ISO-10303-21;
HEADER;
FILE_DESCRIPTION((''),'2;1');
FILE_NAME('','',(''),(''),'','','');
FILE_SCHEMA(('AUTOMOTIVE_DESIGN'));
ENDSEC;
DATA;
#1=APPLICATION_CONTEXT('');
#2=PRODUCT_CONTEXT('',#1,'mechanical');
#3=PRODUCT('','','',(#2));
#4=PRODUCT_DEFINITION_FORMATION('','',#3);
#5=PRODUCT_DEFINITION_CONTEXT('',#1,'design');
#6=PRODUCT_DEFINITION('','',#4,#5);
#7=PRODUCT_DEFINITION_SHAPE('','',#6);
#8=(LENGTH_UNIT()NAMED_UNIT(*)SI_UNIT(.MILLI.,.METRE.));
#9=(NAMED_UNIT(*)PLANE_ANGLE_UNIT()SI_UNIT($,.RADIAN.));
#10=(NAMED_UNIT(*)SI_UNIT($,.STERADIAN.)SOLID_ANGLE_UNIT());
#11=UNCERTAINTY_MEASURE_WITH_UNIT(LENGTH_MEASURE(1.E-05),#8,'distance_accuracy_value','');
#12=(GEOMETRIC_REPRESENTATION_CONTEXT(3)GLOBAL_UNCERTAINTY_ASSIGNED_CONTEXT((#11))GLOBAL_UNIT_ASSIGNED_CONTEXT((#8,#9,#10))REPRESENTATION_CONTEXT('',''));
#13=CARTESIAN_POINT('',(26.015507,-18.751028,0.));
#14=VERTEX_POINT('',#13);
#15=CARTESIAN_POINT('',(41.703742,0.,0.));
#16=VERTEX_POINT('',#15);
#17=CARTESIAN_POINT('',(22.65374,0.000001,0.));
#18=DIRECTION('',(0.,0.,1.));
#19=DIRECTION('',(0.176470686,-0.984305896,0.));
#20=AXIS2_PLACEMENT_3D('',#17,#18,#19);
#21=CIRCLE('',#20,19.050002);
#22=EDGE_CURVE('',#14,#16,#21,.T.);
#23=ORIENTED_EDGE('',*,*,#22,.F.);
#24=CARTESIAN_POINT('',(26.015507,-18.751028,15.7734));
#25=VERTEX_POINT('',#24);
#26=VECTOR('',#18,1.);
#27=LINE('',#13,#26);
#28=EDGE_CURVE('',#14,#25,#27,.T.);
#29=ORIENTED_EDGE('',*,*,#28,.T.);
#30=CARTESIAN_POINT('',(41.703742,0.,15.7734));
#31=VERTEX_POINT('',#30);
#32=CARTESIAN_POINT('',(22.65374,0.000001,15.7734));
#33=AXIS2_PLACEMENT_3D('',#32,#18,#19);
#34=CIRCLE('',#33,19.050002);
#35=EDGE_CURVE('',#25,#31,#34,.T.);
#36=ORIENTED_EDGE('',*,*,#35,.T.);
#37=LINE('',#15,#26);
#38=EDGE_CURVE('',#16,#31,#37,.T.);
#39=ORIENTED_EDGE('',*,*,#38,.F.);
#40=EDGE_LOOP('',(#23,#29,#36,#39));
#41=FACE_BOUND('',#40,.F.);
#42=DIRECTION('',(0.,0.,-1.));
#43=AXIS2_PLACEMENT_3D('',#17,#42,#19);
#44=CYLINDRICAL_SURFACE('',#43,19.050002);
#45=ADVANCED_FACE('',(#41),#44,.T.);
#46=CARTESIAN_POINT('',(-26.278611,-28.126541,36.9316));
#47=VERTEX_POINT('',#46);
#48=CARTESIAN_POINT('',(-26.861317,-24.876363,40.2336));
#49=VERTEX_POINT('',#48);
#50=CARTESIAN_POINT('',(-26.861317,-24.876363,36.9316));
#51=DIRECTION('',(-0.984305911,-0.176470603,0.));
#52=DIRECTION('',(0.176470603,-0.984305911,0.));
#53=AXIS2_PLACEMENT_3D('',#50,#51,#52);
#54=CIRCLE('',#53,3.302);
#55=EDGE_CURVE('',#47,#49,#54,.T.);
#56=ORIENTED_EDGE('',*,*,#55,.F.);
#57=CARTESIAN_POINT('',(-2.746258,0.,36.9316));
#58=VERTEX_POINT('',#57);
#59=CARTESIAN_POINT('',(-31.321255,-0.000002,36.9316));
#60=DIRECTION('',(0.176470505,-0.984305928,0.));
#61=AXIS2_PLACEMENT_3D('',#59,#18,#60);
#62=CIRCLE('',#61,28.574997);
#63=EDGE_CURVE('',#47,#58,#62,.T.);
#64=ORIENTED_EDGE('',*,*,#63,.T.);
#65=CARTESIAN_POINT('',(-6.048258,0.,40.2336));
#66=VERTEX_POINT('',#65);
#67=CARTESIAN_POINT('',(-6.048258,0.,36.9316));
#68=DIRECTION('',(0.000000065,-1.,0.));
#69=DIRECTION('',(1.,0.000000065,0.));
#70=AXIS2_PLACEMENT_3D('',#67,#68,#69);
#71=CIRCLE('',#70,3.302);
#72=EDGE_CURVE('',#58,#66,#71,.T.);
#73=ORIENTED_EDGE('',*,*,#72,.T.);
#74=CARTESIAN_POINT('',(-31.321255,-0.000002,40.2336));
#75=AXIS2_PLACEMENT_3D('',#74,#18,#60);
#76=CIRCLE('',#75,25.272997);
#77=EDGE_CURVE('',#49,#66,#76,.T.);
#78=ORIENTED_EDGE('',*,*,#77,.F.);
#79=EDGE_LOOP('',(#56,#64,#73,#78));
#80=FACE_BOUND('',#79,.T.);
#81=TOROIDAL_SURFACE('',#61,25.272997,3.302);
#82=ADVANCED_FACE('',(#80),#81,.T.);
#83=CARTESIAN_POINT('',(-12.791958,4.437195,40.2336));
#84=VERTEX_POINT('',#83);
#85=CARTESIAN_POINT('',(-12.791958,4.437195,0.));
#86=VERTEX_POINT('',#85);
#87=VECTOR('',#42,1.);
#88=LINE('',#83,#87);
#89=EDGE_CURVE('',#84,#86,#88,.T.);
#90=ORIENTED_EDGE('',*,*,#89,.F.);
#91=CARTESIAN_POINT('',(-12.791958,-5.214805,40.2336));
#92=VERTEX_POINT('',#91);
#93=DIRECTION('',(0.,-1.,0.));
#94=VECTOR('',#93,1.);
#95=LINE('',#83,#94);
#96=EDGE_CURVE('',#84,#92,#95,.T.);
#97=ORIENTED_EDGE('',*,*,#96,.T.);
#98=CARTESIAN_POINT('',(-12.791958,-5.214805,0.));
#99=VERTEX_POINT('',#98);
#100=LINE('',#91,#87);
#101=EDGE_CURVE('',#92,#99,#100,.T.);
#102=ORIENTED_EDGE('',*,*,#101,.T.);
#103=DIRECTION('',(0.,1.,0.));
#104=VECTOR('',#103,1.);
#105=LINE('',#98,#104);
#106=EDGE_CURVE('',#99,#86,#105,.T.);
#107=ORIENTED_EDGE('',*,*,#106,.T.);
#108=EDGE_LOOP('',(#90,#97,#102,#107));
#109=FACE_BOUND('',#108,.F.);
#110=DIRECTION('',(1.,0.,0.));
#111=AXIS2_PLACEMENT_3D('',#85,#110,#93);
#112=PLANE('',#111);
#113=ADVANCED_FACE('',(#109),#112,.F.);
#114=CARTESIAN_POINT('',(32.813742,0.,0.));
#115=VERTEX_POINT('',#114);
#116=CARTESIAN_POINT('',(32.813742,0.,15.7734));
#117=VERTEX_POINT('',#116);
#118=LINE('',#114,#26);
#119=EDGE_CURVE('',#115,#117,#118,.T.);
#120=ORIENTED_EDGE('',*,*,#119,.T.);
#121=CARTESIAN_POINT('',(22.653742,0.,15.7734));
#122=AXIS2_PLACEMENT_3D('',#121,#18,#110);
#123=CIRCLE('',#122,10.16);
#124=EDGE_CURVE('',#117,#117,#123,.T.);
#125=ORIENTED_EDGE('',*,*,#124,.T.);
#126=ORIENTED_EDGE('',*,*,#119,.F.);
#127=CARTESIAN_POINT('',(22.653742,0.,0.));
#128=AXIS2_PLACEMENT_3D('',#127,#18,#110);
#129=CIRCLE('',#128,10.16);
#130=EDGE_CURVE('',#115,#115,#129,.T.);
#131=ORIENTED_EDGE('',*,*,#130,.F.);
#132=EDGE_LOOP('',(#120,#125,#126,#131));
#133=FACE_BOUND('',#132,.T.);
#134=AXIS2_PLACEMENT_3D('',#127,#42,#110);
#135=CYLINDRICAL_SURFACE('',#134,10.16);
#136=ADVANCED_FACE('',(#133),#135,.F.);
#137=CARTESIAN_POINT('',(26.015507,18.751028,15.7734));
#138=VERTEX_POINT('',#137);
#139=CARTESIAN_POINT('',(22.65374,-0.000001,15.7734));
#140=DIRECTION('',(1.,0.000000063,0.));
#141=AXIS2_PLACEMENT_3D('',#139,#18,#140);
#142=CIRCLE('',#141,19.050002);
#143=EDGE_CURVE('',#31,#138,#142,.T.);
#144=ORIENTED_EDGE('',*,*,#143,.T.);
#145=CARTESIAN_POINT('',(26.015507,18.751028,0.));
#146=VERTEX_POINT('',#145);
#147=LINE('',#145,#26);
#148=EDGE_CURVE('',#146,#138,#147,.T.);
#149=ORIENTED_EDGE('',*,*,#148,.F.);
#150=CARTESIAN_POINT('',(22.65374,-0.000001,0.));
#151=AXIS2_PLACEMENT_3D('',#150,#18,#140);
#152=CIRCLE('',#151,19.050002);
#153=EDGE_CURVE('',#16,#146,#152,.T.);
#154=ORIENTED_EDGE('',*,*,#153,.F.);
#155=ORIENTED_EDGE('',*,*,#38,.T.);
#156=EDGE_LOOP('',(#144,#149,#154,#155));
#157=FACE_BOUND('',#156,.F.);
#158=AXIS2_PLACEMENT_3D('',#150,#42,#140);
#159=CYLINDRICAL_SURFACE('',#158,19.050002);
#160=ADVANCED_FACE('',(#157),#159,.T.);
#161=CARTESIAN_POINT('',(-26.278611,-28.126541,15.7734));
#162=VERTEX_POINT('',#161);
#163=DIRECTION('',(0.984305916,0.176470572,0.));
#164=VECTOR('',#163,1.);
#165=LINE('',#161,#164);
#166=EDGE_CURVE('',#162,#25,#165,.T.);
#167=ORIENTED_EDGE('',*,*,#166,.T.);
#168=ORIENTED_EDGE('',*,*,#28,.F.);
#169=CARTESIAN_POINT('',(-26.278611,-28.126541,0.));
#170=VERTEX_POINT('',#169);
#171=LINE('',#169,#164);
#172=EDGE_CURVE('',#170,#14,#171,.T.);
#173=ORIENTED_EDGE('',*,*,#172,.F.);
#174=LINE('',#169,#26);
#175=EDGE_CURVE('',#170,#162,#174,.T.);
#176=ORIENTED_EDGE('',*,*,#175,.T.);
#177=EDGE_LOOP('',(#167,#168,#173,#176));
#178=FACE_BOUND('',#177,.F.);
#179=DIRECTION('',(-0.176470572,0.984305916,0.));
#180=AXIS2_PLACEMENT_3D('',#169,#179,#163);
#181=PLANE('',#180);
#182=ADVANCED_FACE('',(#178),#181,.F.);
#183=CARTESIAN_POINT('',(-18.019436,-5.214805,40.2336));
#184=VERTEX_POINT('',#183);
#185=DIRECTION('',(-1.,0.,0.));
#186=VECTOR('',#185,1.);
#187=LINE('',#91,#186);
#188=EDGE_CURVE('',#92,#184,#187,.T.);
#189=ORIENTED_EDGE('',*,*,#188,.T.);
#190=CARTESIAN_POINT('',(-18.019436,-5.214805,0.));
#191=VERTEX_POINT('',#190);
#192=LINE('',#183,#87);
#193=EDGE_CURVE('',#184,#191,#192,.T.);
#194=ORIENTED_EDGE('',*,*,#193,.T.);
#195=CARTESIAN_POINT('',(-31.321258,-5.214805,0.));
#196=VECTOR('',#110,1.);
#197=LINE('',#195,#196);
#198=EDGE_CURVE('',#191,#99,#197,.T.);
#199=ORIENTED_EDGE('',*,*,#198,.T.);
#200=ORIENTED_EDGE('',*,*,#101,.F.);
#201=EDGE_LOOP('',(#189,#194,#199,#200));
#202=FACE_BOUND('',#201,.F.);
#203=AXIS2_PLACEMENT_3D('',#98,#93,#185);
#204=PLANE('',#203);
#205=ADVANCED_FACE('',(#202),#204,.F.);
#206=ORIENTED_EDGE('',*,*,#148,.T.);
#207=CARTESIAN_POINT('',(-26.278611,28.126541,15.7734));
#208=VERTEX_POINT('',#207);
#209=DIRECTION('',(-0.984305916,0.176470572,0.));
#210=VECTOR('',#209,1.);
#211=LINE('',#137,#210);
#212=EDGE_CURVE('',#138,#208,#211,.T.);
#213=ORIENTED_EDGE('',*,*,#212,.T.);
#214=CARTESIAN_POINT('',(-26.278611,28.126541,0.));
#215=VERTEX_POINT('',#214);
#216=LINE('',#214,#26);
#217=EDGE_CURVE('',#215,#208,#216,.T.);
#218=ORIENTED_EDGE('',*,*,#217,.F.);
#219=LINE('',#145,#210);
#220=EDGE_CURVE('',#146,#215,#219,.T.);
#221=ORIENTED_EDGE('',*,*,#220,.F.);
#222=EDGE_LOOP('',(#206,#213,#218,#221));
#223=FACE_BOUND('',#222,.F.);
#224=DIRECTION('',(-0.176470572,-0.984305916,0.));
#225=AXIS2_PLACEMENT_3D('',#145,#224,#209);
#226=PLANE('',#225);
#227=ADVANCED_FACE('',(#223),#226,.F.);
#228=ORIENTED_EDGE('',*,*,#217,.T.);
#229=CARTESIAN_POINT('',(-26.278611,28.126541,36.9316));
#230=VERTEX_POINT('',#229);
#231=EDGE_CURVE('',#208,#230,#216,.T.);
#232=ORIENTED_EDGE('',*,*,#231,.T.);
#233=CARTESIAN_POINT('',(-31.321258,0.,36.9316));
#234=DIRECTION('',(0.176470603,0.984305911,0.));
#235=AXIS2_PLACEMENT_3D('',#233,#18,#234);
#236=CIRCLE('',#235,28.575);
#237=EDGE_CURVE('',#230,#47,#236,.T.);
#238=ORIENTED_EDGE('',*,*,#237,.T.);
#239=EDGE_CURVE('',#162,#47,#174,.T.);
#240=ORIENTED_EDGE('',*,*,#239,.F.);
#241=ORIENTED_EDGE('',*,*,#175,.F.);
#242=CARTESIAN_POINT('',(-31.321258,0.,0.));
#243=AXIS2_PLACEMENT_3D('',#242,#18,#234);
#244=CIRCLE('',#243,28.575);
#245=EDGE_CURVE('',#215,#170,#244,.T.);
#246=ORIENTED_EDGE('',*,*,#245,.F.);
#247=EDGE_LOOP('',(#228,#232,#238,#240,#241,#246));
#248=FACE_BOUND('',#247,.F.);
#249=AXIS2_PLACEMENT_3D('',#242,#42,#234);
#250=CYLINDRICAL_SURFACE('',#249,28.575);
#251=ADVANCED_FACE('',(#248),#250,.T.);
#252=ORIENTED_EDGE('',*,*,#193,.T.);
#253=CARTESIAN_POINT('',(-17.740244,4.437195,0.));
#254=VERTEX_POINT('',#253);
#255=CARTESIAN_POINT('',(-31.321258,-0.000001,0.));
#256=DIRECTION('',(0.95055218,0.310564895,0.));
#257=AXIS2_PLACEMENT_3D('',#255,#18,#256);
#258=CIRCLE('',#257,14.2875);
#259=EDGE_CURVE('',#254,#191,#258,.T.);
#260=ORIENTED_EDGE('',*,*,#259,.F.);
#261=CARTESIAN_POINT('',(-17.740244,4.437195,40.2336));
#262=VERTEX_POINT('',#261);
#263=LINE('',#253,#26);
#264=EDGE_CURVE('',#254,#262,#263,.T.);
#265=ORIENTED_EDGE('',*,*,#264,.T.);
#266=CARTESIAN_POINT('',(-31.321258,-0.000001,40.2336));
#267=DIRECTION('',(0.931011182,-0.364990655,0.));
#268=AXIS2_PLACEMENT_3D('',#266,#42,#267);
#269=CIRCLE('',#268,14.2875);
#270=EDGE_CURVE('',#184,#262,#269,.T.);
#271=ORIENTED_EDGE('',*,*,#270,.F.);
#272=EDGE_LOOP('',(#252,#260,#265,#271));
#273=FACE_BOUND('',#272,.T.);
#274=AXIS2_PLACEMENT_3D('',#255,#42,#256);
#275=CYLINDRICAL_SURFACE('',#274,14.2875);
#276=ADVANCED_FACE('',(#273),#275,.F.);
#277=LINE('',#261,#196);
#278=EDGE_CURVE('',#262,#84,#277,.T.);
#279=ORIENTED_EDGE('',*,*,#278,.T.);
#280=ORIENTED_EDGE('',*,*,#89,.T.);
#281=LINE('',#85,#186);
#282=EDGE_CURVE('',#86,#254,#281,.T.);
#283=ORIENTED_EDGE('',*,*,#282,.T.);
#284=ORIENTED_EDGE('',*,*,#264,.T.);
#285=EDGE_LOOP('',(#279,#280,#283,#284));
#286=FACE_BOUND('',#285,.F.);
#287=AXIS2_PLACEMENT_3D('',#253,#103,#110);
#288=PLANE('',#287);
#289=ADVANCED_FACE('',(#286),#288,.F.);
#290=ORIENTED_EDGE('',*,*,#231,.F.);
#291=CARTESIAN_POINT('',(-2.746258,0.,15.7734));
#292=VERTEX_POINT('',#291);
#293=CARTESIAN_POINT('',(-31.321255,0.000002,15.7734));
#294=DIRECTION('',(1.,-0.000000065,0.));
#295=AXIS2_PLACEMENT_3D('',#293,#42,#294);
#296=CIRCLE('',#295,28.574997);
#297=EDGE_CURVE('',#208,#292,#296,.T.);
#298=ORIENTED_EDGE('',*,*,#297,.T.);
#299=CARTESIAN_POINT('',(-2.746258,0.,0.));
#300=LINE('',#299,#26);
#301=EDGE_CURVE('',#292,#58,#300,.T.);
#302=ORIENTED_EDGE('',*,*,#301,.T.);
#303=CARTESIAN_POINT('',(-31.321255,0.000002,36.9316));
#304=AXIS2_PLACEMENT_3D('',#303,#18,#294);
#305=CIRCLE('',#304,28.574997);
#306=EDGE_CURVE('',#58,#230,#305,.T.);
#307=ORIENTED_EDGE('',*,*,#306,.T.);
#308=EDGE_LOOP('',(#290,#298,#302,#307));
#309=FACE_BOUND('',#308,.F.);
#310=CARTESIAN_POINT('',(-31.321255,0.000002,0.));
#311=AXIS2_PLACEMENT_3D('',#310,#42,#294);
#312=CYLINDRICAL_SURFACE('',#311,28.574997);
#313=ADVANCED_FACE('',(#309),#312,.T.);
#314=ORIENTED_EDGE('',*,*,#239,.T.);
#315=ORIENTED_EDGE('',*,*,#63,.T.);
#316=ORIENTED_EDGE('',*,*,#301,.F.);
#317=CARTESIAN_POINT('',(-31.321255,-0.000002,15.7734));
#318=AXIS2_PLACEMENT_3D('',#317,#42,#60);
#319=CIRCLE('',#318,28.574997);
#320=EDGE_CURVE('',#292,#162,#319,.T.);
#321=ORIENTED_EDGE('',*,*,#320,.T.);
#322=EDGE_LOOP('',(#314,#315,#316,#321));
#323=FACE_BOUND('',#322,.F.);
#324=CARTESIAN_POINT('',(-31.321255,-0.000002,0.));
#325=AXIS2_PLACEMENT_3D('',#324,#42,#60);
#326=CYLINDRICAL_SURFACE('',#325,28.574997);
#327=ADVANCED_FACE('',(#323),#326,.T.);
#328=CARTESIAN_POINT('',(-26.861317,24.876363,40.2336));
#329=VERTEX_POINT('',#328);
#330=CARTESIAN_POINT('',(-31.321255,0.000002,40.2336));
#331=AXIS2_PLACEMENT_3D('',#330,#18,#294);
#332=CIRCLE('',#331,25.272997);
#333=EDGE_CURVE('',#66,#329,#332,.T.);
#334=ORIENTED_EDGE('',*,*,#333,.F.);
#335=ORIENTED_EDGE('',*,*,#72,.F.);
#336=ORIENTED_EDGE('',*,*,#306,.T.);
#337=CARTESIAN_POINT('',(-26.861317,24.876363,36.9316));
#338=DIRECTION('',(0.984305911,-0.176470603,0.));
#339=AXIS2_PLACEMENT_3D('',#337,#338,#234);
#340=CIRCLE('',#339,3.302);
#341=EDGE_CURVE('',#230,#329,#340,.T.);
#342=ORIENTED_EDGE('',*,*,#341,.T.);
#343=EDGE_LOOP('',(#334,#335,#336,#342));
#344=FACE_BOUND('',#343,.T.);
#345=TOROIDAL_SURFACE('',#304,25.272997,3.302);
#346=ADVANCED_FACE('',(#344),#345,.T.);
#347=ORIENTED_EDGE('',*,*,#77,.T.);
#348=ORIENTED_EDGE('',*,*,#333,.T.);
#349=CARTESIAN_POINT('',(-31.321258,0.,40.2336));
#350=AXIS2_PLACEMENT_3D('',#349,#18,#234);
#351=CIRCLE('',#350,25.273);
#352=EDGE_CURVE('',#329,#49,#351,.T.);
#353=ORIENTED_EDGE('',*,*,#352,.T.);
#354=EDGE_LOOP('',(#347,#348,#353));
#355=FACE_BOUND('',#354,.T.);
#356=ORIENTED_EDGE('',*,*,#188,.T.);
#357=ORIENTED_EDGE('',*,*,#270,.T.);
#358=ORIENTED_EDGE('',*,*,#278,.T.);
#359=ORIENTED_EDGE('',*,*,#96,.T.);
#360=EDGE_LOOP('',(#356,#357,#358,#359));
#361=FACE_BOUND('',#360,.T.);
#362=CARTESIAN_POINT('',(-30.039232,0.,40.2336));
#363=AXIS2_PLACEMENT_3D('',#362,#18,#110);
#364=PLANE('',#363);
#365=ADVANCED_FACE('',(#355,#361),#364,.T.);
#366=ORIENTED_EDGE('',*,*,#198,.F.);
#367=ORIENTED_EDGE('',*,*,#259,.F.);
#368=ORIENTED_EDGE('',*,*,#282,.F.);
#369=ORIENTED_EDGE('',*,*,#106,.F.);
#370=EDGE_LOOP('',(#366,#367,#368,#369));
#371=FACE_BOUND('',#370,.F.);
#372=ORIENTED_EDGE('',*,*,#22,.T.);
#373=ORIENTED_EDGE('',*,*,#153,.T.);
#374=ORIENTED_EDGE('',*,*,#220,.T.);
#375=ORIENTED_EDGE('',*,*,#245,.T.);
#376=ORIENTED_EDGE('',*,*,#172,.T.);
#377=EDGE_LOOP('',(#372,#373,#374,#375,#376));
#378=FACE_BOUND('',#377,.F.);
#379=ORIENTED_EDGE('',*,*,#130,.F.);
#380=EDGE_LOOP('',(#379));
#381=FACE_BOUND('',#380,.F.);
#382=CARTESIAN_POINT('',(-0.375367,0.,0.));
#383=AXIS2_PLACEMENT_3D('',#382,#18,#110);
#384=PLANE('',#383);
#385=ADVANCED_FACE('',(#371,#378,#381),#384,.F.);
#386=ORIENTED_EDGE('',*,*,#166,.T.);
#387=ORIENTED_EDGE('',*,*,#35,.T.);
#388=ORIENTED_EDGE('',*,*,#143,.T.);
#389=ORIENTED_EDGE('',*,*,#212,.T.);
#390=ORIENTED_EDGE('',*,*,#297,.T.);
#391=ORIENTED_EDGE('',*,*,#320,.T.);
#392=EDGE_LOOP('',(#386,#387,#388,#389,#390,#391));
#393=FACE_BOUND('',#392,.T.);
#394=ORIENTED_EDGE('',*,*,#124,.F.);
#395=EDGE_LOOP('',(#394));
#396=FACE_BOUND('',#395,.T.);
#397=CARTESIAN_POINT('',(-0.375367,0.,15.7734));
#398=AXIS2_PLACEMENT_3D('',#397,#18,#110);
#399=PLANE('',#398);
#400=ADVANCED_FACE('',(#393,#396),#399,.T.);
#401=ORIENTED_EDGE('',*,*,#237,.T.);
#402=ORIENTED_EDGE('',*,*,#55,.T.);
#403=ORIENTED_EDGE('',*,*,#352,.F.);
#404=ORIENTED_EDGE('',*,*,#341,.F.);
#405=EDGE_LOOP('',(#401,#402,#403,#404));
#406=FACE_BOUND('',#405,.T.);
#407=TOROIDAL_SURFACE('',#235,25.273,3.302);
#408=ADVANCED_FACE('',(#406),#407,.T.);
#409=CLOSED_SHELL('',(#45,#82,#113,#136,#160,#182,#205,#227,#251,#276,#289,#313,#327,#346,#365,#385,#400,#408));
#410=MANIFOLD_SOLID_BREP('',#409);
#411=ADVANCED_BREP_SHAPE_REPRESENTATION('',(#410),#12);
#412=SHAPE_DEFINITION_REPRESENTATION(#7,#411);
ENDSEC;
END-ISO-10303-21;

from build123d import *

# Parameters (mm, degrees)
F0_R     = 10.16
F1_DEPTH = 15.7734
F2_DEPTH = 40.2336
F3_DEPTH = 40.2346
F4_DEPTH = 25.4
F5_R     = 3.302


with BuildPart() as f1:
    # F0 (on Top) → F1 (new body)
    with BuildSketch(Plane.XY):
        with BuildLine():
            ThreePointArc((-26.278611, 28.126541), (-9.405233, 18.336262), (-2.746258, 0))
            ThreePointArc((-2.746258, 0), (-9.405233, -18.336262), (-26.278611, -28.126541))
            Line((-26.278611, -28.126541), (26.015507, -18.751028))
            ThreePointArc((26.015507, -18.751028), (3.603742, 0), (26.015507, 18.751028))
            Line((26.015507, 18.751028), (-26.278611, 28.126541))
        make_face()
        with BuildLine():
            ThreePointArc((-26.278611, -28.126541), (-9.405233, -18.336262), (-2.746258, 0))
            ThreePointArc((-2.746258, 0), (-9.405233, 18.336262), (-26.278611, 28.126541))
            ThreePointArc((-26.278611, 28.126541), (-59.896258, 0), (-26.278611, -28.126541))
        make_face()
        with BuildLine():
            ThreePointArc((-18.019436, -5.214805), (-45.602785, 0.413106), (-17.740244, 4.437195))
            Line((-17.740244, 4.437195), (-12.791958, 4.437195))
            Line((-12.791958, 4.437195), (-12.791958, -5.214805))
            Line((-12.791958, -5.214805), (-18.019436, -5.214805))
        make_face(mode=Mode.SUBTRACT)
        with BuildLine():
            ThreePointArc((-18.019436, -5.214805), (-17.28234, -2.653571), (-17.033758, 0))
            ThreePointArc((-17.033758, 0), (-17.211485, 2.246543), (-17.740244, 4.437195))
            Line((-17.740244, 4.437195), (-31.321258, 4.437195))
            Line((-31.321258, 4.437195), (-31.321258, -5.214805))
            Line((-31.321258, -5.214805), (-18.019436, -5.214805))
        make_face()
        with Locations((22.653742, 0)):
            Circle(F0_R)
        with BuildLine():
            Line((-31.321258, 4.437195), (-17.740244, 4.437195))
            ThreePointArc((-17.740244, 4.437195), (-45.602785, 0.413106), (-18.019436, -5.214805))
            Line((-18.019436, -5.214805), (-31.321258, -5.214805))
            Line((-31.321258, -5.214805), (-31.321258, 4.437195))
        make_face()
        with BuildLine():
            ThreePointArc((-17.740244, 4.437195), (-17.211485, 2.246543), (-17.033758, 0))
            ThreePointArc((-17.033758, 0), (-17.28234, -2.653571), (-18.019436, -5.214805))
            Line((-18.019436, -5.214805), (-12.791958, -5.214805))
            Line((-12.791958, -5.214805), (-12.791958, 4.437195))
            Line((-12.791958, 4.437195), (-17.740244, 4.437195))
        make_face()
        with BuildLine():
            ThreePointArc((41.703742, 0), (37.264425, 12.224174), (26.015507, 18.751028))
            ThreePointArc((26.015507, 18.751028), (3.603742, 0), (26.015507, -18.751028))
            ThreePointArc((26.015507, -18.751028), (37.264425, -12.224174), (41.703742, 0))
        make_face()
        with Locations((22.653742, 0)):
            Circle(F0_R, mode=Mode.SUBTRACT)
    extrude(amount=F1_DEPTH)

    # F0 (on Top) → F2 (join)
    with BuildSketch(Plane.XY):
        with BuildLine():
            ThreePointArc((-26.278611, -28.126541), (-9.405233, -18.336262), (-2.746258, 0))
            ThreePointArc((-2.746258, 0), (-9.405233, 18.336262), (-26.278611, 28.126541))
            ThreePointArc((-26.278611, 28.126541), (-59.896258, 0), (-26.278611, -28.126541))
        make_face()
        with BuildLine():
            ThreePointArc((-18.019436, -5.214805), (-45.602785, 0.413106), (-17.740244, 4.437195))
            Line((-17.740244, 4.437195), (-12.791958, 4.437195))
            Line((-12.791958, 4.437195), (-12.791958, -5.214805))
            Line((-12.791958, -5.214805), (-18.019436, -5.214805))
        make_face(mode=Mode.SUBTRACT)
    extrude(amount=F2_DEPTH)

    # F0 (on Top) → F3 (cut, through all)
    with BuildSketch(Plane.XY):
        with BuildLine():
            ThreePointArc((-18.019436, -5.214805), (-17.28234, -2.653571), (-17.033758, 0))
            ThreePointArc((-17.033758, 0), (-17.211485, 2.246543), (-17.740244, 4.437195))
            Line((-17.740244, 4.437195), (-31.321258, 4.437195))
            Line((-31.321258, 4.437195), (-31.321258, -5.214805))
            Line((-31.321258, -5.214805), (-18.019436, -5.214805))
        make_face()
        with BuildLine():
            ThreePointArc((-17.740244, 4.437195), (-17.211485, 2.246543), (-17.033758, 0))
            ThreePointArc((-17.033758, 0), (-17.28234, -2.653571), (-18.019436, -5.214805))
            Line((-18.019436, -5.214805), (-12.791958, -5.214805))
            Line((-12.791958, -5.214805), (-12.791958, 4.437195))
            Line((-12.791958, 4.437195), (-17.740244, 4.437195))
        make_face()
        with BuildLine():
            Line((-31.321258, 4.437195), (-17.740244, 4.437195))
            ThreePointArc((-17.740244, 4.437195), (-45.602785, 0.413106), (-18.019436, -5.214805))
            Line((-18.019436, -5.214805), (-31.321258, -5.214805))
            Line((-31.321258, -5.214805), (-31.321258, 4.437195))
        make_face()
    extrude(amount=F3_DEPTH, mode=Mode.SUBTRACT)

    # F0 (on Top) → F4 (cut)
    with BuildSketch(Plane.XY):
        with Locations((22.653742, 0)):
            Circle(F0_R)
    extrude(amount=F4_DEPTH, mode=Mode.SUBTRACT)

    # F5
    f5_edges = [f1.edges().sort_by_distance(p)[0] for p in [
        (-36.363905, 28.126541, 40.2336),
    ]]
    fillet(f5_edges, radius=F5_R)


solid = f1.part
